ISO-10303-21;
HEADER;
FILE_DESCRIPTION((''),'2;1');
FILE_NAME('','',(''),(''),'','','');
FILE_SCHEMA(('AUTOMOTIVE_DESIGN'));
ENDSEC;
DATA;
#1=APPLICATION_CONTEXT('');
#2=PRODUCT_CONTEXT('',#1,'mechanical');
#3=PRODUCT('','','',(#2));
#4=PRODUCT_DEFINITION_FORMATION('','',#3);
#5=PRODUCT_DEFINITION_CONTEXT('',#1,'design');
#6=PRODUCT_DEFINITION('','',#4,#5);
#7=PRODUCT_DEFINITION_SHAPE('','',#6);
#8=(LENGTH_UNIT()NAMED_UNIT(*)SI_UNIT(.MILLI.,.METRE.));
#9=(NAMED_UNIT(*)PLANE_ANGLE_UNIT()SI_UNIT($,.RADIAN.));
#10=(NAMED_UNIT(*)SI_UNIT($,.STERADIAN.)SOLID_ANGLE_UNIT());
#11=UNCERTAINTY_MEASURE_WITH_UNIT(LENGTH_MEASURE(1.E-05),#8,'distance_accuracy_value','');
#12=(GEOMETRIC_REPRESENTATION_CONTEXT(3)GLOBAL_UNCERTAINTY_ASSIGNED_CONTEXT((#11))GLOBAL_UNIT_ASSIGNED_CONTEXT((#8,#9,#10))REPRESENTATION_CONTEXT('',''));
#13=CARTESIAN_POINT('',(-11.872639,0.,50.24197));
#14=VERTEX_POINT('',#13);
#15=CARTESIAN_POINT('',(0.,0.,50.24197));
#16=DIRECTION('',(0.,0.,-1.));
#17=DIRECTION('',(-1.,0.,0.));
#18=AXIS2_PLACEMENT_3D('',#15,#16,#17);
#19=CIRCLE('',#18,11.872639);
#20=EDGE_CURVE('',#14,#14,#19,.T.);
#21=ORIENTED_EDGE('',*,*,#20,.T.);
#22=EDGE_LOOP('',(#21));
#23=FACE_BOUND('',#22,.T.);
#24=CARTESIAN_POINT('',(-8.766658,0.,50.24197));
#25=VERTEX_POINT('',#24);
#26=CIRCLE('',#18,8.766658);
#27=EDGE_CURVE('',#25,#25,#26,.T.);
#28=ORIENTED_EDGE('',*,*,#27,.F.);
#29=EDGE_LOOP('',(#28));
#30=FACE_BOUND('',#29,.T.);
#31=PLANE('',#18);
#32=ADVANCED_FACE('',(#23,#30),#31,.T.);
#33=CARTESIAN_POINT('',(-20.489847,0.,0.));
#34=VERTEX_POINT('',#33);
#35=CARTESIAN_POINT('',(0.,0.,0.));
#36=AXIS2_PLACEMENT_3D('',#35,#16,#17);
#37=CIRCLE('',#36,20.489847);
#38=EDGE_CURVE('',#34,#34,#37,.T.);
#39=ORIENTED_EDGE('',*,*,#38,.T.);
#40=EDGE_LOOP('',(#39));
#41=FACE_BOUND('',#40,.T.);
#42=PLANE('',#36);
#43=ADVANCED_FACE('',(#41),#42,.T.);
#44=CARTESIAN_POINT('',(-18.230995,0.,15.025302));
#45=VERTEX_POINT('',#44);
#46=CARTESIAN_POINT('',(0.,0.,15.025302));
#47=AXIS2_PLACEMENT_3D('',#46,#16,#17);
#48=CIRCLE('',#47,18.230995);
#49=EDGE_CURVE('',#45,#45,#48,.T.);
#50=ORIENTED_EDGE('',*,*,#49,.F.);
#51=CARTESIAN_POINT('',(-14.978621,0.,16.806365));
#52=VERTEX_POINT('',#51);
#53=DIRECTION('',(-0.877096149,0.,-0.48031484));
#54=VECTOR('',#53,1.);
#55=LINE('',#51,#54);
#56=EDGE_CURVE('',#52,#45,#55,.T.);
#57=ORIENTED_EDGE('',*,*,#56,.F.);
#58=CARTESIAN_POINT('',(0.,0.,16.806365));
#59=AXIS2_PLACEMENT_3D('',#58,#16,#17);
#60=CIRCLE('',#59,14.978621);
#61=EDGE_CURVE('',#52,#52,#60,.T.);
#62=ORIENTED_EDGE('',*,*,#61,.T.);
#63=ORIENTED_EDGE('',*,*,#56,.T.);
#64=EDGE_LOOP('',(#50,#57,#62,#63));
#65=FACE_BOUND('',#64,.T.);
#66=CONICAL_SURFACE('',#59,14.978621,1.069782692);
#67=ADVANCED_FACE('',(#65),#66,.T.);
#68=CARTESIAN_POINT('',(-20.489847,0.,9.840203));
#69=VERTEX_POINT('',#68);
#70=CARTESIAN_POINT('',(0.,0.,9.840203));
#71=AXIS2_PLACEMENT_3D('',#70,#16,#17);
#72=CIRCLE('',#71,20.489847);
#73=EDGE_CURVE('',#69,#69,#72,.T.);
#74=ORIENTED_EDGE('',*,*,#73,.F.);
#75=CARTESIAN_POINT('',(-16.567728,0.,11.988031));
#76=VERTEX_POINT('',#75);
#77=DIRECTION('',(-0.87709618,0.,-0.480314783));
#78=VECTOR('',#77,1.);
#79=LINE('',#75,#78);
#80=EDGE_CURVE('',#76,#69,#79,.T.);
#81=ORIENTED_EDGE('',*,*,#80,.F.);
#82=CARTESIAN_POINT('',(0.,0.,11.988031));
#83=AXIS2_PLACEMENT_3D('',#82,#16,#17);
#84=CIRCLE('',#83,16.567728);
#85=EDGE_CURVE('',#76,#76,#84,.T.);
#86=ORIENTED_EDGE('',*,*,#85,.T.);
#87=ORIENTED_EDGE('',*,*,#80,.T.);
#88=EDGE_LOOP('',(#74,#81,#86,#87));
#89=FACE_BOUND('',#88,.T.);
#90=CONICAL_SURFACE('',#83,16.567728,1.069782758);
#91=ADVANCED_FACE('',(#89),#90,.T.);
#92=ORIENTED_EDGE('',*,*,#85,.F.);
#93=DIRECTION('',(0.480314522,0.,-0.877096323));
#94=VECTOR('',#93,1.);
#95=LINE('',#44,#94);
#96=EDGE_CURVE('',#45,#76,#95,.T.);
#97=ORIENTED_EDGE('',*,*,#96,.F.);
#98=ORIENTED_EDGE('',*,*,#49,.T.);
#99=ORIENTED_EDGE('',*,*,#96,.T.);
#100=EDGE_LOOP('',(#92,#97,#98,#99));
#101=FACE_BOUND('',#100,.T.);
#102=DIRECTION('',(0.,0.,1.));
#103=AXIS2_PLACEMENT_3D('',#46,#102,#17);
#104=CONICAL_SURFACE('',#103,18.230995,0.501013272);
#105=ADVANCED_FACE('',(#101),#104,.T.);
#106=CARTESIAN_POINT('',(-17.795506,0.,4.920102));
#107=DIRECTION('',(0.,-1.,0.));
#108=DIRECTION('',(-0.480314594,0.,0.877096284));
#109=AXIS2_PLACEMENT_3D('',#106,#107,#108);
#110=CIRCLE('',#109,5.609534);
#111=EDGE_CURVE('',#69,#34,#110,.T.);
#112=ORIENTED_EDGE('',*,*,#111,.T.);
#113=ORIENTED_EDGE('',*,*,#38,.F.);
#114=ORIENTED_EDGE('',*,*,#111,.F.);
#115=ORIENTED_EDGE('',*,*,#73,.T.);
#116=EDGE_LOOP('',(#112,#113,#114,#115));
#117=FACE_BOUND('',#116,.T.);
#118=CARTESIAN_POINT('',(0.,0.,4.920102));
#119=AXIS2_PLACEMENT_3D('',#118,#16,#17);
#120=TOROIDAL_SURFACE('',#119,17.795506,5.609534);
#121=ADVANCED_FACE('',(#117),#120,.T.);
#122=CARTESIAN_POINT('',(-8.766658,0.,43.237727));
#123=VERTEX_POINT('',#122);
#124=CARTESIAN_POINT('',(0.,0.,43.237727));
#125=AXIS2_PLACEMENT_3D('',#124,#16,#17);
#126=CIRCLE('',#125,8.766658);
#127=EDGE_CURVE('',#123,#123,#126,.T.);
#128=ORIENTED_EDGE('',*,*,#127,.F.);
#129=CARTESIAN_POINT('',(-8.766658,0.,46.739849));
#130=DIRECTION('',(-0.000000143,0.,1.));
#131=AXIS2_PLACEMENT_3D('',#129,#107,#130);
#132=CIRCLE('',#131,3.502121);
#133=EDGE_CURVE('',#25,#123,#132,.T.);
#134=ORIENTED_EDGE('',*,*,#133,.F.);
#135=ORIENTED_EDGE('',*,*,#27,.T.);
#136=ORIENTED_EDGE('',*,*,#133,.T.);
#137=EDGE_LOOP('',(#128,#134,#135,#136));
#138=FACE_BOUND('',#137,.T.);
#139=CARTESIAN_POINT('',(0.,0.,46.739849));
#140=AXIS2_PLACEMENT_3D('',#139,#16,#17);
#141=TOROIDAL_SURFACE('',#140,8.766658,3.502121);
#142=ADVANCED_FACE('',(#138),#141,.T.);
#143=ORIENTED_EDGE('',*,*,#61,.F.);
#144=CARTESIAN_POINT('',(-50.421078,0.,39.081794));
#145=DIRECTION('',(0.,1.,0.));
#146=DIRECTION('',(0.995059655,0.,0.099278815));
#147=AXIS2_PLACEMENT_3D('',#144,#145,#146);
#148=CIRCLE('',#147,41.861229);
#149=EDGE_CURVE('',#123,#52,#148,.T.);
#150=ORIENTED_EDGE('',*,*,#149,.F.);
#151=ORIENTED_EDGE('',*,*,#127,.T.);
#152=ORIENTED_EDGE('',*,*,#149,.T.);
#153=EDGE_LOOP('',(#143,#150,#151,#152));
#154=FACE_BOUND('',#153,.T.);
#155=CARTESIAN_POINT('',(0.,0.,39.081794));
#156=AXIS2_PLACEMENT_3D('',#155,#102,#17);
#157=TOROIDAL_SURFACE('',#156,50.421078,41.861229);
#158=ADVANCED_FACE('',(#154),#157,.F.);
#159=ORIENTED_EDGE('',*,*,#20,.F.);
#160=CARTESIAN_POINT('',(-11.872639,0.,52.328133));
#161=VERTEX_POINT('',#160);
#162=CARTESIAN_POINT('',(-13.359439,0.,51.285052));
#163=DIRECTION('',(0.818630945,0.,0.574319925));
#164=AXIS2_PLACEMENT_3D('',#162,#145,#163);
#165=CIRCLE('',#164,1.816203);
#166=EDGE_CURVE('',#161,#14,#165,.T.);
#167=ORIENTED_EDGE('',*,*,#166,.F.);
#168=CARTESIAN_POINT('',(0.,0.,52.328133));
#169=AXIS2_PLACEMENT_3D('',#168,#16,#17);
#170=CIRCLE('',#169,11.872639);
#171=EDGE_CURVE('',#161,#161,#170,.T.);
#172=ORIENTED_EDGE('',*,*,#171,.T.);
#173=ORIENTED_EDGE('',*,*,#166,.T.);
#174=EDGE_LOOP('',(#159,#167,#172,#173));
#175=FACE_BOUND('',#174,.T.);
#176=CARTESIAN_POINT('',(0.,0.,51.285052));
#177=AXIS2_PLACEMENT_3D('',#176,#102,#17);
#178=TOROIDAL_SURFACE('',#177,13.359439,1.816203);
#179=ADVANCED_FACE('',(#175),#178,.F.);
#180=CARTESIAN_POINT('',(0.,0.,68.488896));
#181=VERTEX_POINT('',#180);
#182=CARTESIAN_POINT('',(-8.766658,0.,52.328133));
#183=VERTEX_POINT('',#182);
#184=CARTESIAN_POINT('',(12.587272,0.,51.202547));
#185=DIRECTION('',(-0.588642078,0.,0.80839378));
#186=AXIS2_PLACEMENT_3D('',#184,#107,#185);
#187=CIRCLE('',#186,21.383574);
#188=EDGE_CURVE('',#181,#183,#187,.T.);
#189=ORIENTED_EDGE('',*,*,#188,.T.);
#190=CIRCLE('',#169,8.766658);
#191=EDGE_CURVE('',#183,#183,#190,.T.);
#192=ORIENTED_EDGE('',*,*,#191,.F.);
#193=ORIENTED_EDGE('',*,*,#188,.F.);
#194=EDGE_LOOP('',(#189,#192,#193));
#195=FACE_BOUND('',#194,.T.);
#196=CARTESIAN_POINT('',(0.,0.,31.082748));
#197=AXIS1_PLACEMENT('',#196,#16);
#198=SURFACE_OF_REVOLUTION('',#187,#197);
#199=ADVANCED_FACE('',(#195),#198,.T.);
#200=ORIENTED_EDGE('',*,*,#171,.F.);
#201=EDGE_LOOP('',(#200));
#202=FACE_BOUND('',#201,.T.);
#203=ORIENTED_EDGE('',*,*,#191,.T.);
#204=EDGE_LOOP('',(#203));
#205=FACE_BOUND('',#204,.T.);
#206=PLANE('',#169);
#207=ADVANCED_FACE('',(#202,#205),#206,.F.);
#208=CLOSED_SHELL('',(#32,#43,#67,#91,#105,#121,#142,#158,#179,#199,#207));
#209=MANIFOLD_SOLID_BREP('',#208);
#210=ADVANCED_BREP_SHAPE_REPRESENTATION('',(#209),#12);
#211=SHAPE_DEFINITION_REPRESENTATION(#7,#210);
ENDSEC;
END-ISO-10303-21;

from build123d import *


with BuildPart() as f1:
    # F0 (on Front) → F1 (revolve)
    with BuildSketch(Plane.XZ):
        with BuildLine():
            Line((-16.567728, 11.988031), (-20.489847, 9.840203))
            ThreePointArc((-20.489847, 9.840203), (-23.40504, 4.920101), (-20.489847, 0))
            Line((-20.489847, 0), (0, 0))
            Line((0, 0), (0, 62.165495))
            Line((0, 62.165495), (0, 68.488896))
            ThreePointArc((0, 68.488896), (-6.208841, 61.398792), (-8.766658, 52.328133))
            Line((-8.766658, 52.328133), (-11.872639, 52.328133))
            ThreePointArc((-11.872639, 52.328133), (-11.543236, 51.285051), (-11.872639, 50.24197))
            Line((-11.872639, 50.24197), (-8.766658, 50.24197))
            ThreePointArc((-8.766658, 50.24197), (-12.268779, 46.739848), (-8.766658, 43.237727))
            ThreePointArc((-8.766658, 43.237727), (-9.670172, 29.504417), (-14.978621, 16.806365))
            Line((-14.978621, 16.806365), (-18.230995, 15.025302))
            Line((-18.230995, 15.025302), (-16.567728, 11.988031))
        make_face()
    revolve(axis=Axis((0, 0, 31.082748), (0, 0, -1)))


solid = f1.part
